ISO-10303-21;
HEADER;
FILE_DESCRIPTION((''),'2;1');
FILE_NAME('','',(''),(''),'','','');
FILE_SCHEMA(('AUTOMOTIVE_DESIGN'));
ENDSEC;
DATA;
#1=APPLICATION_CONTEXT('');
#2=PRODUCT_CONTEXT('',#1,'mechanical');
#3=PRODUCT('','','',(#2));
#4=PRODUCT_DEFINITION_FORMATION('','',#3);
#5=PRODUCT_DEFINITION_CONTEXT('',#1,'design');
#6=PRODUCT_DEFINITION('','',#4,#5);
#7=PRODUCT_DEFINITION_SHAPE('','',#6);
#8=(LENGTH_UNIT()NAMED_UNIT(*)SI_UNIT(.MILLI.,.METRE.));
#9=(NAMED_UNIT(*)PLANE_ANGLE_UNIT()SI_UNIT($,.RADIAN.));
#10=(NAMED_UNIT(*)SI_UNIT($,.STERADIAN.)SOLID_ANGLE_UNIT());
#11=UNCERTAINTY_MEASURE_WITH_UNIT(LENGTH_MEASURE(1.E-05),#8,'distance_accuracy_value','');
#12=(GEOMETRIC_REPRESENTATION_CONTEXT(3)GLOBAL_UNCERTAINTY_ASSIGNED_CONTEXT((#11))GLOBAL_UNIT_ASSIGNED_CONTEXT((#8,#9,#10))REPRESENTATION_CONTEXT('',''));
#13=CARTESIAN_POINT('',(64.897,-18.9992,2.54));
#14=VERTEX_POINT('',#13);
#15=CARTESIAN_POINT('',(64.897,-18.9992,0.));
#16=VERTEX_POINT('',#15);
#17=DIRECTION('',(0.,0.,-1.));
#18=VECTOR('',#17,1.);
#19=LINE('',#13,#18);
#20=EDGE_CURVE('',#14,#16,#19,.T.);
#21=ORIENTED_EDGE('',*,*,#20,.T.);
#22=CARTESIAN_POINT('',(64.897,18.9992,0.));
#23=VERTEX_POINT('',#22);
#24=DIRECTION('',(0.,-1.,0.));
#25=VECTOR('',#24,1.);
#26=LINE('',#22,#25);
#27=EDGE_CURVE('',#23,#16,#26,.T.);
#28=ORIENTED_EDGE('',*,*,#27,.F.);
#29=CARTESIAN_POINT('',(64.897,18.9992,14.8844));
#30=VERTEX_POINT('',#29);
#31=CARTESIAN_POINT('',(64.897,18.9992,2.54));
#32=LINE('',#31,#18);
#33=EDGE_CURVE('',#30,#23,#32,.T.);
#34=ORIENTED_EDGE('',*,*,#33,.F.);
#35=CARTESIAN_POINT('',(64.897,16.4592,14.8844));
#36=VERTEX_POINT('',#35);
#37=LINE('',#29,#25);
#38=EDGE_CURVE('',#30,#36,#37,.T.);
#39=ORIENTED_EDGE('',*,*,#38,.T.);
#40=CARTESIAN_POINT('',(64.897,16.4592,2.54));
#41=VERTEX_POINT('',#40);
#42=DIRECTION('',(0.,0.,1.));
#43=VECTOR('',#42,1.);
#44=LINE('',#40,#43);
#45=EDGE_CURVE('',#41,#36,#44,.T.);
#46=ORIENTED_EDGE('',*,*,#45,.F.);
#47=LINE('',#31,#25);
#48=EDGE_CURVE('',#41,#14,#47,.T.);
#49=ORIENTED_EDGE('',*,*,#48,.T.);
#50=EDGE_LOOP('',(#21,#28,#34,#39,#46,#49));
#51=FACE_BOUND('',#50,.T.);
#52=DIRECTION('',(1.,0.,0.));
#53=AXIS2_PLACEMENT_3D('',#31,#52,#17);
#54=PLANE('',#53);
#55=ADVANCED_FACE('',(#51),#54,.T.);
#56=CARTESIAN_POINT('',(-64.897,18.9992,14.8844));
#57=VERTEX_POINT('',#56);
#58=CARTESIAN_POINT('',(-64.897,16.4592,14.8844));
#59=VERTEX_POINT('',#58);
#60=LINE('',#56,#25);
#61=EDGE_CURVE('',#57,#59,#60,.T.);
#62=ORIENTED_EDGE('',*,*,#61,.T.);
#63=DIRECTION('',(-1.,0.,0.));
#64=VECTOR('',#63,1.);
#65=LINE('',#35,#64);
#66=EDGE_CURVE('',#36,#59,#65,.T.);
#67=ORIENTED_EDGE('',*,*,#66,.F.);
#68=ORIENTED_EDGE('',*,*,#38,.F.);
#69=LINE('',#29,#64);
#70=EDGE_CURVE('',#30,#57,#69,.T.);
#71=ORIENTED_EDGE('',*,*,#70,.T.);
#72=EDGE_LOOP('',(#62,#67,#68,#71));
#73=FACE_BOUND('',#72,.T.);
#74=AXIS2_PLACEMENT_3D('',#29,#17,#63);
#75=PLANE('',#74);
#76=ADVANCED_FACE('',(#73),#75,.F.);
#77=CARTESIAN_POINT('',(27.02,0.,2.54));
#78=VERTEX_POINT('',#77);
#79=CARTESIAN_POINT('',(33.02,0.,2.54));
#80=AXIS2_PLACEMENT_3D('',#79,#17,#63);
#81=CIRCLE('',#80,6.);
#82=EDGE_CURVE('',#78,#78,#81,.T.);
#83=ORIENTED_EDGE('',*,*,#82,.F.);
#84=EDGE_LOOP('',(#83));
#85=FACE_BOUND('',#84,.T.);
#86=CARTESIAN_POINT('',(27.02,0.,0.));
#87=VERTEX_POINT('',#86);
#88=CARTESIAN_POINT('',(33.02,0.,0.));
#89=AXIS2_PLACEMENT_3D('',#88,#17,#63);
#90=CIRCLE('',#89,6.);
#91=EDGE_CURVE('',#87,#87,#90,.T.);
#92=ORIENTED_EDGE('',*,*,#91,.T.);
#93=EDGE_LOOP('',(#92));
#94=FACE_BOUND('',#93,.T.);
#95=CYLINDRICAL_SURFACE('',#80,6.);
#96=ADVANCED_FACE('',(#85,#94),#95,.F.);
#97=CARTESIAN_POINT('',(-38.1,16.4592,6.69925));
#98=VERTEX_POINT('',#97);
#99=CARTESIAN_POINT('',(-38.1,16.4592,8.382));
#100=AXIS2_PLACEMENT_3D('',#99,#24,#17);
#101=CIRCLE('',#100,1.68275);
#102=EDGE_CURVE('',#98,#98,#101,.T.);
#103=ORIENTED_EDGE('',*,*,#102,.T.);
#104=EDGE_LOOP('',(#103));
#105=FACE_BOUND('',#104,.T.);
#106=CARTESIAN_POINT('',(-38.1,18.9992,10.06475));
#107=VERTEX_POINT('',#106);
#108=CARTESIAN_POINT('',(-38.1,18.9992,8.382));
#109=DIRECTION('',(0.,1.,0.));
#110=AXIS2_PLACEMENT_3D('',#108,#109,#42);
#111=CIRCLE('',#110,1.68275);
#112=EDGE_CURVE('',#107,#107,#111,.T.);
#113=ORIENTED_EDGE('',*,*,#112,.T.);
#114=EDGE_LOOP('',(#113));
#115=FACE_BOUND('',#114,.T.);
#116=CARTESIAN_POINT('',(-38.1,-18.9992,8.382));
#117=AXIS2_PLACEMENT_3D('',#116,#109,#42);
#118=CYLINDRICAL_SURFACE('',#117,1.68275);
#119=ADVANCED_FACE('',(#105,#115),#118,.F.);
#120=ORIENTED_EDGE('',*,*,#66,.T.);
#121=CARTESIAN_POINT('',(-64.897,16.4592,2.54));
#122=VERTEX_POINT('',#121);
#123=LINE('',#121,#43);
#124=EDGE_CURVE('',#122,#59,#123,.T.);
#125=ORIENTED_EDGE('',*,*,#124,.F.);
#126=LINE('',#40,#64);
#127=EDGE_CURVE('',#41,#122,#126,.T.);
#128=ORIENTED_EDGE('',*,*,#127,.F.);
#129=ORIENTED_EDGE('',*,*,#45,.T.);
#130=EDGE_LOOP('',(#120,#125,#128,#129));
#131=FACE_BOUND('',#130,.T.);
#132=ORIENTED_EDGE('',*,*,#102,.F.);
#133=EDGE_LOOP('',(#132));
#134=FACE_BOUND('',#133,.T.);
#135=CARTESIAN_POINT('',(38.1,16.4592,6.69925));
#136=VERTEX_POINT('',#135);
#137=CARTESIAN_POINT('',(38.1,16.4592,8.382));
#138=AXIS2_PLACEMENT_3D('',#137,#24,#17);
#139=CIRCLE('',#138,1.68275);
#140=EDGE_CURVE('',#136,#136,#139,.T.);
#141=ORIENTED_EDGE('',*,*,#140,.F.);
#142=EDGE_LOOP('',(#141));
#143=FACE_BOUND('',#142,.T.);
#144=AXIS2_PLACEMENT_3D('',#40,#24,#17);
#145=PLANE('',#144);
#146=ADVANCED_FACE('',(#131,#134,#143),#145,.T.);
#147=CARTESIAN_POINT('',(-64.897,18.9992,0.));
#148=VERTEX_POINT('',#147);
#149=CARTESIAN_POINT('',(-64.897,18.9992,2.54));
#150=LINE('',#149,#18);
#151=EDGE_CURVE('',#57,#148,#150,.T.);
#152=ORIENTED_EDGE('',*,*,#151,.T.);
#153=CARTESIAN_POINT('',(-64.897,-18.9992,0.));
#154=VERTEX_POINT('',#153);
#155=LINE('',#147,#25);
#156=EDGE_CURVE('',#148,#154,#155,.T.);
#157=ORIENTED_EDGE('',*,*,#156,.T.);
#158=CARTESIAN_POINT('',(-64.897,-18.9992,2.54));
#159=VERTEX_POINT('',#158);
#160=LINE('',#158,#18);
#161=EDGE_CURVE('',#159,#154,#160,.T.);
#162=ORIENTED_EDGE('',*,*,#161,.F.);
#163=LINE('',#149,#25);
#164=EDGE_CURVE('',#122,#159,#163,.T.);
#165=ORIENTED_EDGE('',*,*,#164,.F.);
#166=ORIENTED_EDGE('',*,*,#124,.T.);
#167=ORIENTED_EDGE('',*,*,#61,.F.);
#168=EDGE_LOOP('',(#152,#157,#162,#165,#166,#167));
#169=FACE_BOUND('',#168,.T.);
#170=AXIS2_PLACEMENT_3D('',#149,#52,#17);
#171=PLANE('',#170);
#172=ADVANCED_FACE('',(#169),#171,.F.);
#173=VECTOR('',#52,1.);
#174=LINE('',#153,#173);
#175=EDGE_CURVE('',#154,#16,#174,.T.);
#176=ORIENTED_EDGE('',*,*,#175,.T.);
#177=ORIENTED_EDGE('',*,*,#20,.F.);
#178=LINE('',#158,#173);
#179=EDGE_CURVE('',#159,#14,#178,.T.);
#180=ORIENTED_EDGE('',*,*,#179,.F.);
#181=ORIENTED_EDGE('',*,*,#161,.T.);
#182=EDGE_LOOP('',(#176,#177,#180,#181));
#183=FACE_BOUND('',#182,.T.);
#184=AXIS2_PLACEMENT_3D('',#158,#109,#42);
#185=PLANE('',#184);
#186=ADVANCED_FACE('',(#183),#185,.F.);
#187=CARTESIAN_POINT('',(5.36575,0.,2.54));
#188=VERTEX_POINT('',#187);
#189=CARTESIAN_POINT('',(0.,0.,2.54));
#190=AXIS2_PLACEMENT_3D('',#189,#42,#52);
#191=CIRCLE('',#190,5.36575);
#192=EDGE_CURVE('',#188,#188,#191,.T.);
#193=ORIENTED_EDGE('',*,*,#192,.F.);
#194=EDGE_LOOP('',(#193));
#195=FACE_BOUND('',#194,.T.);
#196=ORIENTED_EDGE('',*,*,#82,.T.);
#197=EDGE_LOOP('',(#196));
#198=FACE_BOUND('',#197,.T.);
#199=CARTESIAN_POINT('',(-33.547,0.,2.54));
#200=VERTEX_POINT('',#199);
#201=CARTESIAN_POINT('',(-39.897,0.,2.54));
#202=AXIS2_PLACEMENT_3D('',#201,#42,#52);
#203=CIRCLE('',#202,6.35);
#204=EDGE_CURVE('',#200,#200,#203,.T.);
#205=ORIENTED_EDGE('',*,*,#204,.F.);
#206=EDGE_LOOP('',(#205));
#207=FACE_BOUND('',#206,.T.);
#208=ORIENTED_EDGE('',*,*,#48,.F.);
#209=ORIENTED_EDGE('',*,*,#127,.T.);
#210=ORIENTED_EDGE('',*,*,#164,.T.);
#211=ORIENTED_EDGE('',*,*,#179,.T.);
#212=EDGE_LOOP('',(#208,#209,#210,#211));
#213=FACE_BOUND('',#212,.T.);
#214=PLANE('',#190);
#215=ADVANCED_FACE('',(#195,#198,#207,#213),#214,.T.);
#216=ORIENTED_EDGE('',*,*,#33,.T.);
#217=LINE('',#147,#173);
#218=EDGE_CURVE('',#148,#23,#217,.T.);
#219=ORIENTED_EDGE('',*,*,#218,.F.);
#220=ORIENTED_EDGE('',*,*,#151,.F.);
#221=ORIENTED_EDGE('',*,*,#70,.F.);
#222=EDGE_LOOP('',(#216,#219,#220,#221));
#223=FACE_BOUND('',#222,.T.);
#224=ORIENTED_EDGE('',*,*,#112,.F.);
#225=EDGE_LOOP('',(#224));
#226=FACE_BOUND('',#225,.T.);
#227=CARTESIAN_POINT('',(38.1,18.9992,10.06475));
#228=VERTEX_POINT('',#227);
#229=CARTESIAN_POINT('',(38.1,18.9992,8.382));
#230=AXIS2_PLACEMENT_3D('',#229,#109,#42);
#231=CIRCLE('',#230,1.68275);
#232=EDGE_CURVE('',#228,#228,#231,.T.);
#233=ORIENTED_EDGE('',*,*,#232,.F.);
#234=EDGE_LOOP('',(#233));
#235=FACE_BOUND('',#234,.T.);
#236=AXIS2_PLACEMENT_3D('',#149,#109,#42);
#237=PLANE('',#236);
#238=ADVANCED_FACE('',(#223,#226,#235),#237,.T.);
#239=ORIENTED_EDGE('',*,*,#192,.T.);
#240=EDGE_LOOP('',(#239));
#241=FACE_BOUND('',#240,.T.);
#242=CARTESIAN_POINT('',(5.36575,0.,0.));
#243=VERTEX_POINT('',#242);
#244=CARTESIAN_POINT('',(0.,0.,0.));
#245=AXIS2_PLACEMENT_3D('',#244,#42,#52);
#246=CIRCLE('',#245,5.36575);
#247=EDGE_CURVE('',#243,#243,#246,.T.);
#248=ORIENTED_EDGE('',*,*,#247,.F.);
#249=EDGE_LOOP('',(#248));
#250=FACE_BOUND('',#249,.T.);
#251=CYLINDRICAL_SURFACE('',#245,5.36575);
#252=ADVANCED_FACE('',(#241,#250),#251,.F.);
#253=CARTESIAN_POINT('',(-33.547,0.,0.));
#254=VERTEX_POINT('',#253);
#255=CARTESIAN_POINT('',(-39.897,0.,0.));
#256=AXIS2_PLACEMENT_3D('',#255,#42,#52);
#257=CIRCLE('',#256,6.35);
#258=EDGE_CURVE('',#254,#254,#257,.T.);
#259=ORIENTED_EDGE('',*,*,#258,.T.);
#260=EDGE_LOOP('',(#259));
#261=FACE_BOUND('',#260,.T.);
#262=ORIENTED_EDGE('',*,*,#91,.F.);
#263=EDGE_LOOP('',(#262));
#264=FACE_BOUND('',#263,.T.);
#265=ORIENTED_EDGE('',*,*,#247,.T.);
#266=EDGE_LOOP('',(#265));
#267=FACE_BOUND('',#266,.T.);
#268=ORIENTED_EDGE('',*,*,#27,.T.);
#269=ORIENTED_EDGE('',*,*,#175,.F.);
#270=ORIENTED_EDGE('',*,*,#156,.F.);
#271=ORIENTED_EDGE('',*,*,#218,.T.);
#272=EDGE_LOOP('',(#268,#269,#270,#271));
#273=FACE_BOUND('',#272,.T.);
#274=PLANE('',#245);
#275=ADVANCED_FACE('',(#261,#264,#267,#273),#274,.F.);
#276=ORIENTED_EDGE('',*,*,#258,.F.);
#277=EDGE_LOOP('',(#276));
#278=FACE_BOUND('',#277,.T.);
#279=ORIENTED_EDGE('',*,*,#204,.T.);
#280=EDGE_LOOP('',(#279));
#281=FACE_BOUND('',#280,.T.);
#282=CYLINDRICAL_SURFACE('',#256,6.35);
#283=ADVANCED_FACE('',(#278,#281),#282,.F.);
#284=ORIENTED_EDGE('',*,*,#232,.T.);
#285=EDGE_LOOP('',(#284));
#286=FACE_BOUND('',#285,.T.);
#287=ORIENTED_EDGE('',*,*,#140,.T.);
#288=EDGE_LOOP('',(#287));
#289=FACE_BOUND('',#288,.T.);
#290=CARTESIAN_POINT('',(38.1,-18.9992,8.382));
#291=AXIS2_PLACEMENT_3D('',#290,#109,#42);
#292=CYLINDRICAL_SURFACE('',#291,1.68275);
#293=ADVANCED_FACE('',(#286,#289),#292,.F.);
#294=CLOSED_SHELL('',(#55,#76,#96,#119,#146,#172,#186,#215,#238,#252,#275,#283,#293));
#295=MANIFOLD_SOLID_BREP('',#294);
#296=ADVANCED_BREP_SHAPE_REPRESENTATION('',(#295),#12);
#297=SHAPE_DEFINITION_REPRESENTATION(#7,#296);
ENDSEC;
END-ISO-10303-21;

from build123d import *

# Parameters (mm, degrees)
ESQUISSE1_W             = 129.794
ESQUISSE1_H             = 37.9984
BOSS_EXTRU_1_DEPTH      = 2.54
ESQUISSE2_W             = 12.3444
ESQUISSE2_H             = 2.54
BOSS_EXTRU_2_DEPTH      = 129.794
ESQUISSE3_R             = 5.36575
ENL_V_MAT_EXTRU_1_DEPTH = 69.738449364
ESQUISSE4_R             = 1.68275
ENL_V_MAT_EXTRU_2_DEPTH = 77.661883455
ESQUISSE5_R             = 6.35
ENL_V_MAT_EXTRU_3_DEPTH = 2.54
ESQUISSE7_R             = 6
ENL_V_MAT_EXTRU_4_DEPTH = 2.54


with BuildPart() as part:
    # Esquisse1 → Boss.-Extru.1 (new body)
    with BuildSketch(Plane.XY):
        Rectangle(ESQUISSE1_W, ESQUISSE1_H)
    extrude(amount=BOSS_EXTRU_1_DEPTH)

    # Esquisse2 → Boss.-Extru.2 (add)
    with BuildSketch(Plane.ZY.offset(64.897)):
        with Locations((8.7122, 17.7292)):
            Rectangle(ESQUISSE2_W, ESQUISSE2_H)
    extrude(amount=-BOSS_EXTRU_2_DEPTH)

    # Esquisse3 → Enlèv. mat.-Extru.1 (cut, through all)
    with BuildSketch(Plane.XY.offset(2.54)):
        Circle(ESQUISSE3_R)
    extrude(amount=-ENL_V_MAT_EXTRU_1_DEPTH, mode=Mode.SUBTRACT)

    # Esquisse4 → Enlèv. mat.-Extru.2 (cut, through all)
    with BuildSketch(Plane(origin=(0, 18.9992, 0), x_dir=(1, 0, 0), z_dir=(0, 1, 0))):
        with Locations(Location((-38.1, -8.382, 0), (0, 0, 270))):
            Circle(ESQUISSE4_R)
        with Locations(Location((38.1, -8.382, 0), (0, 0, 270))):
            Circle(ESQUISSE4_R)
    extrude(amount=-ENL_V_MAT_EXTRU_2_DEPTH, mode=Mode.SUBTRACT)

    # Esquisse5 → Enlèv. mat.-Extru.3 (cut)
    with BuildSketch(Plane.XY.offset(2.54)):
        with Locations((-39.897, 0)):
            Circle(ESQUISSE5_R)
    extrude(amount=-ENL_V_MAT_EXTRU_3_DEPTH, mode=Mode.SUBTRACT)

    # Esquisse7 → Enlèv. mat.-Extru.4 (cut)
    with BuildSketch(Plane(origin=(0, 0, 0), x_dir=(-1, 0, 0), z_dir=(0, 0, -1))):
        with Locations((-33.02, 0)):
            Circle(ESQUISSE7_R)
    extrude(amount=-ENL_V_MAT_EXTRU_4_DEPTH, mode=Mode.SUBTRACT)


solid = part.part
